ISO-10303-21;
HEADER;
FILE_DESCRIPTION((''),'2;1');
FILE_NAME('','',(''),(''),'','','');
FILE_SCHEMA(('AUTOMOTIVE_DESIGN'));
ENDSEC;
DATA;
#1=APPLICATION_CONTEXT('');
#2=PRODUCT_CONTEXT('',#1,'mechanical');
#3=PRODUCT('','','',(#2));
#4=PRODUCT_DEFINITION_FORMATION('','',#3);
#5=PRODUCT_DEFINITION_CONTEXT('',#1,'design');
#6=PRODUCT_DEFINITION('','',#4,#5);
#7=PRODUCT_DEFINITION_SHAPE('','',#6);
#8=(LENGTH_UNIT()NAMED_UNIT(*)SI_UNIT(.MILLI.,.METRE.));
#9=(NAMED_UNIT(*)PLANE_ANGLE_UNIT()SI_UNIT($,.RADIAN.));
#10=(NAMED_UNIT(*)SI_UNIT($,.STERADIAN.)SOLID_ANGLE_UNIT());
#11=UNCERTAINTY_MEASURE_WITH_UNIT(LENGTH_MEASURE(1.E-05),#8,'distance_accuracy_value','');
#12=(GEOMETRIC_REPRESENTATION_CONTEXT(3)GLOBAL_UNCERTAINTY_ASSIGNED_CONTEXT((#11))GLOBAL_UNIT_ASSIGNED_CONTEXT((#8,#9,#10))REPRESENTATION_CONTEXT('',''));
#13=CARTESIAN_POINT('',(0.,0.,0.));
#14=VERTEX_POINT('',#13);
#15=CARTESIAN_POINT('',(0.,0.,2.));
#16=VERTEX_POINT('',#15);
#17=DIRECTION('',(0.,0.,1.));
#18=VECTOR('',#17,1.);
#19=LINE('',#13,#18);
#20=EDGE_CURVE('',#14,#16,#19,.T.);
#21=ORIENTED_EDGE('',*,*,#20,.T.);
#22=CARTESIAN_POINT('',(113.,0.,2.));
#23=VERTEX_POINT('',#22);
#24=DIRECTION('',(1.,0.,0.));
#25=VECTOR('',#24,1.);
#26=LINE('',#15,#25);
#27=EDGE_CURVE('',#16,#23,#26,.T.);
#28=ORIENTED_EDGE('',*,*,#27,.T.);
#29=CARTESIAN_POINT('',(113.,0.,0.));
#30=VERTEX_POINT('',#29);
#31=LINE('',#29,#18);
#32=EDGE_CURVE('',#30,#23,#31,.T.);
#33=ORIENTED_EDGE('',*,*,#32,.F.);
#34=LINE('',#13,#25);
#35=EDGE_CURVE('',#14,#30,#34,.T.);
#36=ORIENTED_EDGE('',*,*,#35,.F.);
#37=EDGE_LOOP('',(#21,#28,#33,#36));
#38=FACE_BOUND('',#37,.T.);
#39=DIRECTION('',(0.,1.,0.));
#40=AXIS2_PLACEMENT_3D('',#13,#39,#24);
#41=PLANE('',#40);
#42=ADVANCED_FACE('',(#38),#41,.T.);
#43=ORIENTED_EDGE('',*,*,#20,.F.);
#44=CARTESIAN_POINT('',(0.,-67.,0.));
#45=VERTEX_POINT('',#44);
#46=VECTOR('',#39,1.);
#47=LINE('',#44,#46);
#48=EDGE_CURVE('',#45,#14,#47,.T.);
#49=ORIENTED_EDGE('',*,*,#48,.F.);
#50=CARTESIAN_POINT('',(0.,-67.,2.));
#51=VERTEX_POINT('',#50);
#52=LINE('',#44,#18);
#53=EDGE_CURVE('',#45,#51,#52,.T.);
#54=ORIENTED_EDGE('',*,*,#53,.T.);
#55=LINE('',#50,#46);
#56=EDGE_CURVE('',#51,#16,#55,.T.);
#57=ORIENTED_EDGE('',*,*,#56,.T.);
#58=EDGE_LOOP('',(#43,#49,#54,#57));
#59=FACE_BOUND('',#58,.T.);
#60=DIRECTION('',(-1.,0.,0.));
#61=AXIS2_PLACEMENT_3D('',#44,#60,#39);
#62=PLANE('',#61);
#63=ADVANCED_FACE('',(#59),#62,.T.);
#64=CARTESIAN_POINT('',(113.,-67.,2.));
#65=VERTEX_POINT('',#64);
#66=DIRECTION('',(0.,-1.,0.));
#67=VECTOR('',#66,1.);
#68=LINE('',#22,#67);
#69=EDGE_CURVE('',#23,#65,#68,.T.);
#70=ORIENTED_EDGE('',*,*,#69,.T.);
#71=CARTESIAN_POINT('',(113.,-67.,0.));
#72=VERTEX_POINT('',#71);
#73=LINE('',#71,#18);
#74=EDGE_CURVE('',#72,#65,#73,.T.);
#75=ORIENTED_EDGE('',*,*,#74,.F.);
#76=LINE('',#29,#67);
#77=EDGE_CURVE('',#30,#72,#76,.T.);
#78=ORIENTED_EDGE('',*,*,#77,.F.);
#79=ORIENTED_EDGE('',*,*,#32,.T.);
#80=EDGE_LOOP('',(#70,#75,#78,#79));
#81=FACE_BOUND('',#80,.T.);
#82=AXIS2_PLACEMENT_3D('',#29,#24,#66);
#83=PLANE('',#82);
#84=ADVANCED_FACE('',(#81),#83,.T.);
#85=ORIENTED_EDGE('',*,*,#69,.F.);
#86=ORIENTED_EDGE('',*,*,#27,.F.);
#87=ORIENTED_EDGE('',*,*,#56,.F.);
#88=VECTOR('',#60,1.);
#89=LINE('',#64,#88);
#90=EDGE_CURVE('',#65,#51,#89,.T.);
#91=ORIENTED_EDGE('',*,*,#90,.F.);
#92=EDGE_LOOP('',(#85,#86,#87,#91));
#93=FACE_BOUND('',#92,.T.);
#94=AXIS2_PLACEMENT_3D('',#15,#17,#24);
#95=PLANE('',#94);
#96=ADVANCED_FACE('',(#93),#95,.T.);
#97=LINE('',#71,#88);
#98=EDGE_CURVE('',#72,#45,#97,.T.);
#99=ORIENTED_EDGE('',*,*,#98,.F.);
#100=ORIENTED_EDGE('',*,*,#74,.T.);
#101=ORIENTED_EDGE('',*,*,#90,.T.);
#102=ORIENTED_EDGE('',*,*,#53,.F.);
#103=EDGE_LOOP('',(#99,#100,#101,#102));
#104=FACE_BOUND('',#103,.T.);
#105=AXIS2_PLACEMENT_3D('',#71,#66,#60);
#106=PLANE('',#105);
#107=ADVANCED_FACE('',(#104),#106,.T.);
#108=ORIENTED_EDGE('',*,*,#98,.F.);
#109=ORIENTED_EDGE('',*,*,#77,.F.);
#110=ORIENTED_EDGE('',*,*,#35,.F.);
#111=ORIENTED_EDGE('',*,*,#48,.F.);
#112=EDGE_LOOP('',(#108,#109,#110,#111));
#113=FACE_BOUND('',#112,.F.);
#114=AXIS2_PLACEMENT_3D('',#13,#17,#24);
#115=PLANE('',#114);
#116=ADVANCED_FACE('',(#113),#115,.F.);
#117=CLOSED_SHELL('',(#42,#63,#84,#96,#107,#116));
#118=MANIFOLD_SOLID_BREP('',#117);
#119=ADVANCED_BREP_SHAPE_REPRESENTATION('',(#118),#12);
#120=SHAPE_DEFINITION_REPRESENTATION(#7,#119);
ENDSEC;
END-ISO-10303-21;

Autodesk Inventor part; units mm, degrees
ref_plane "YZ Plane" through (0, 0, 0) normal (1, 0, 0) x (0, 1, 0)
ref_plane "XZ Plane" through (0, 0, 0) normal (0, 1, 0) x (-1, 0, 0)
ref_plane "XY Plane" through (0, 0, 0) normal (0, 0, 1) x (1, 0, 0)
sketch "Boceto1" plane through (0, 0, 0) normal (0, 0, 1) x (1, 0, 0)
  line L0 (0, 0) -> (113, 0)
  line L1 (113, 0) -> (113, -67)
  line L2 (113, -67) -> (0, -67)
  line L3 (0, -67) -> (0, 0)
  dimension "d0" = 113
  dimension "d1" = 67
extrude "Extrusión1" add sketch "Boceto1" along normal blind 2
sketch "Boceto2" plane through (0, 0, 2) normal (0, 0, 1) x (1, 0, 0)
  line L0 (113, 0) -> (0, 0) projected
  line L1 (-12.8028, 6.364) -> (124.3271, 6.364) construction
  line L2 (124.3271, 6.364) -> (124.3271, -75.9421) construction
  line L3 (124.3271, -75.9421) -> (-12.8028, -75.9421) construction
  line L4 (-12.8028, -75.9421) -> (-12.8028, 6.364) construction
sketch "Boceto3" plane through (113, -67, 0) normal (1, 0, 0) x (0, 0, -1)
  point P0 (0, 67)
decal "Calcomanía2"
properties part number "pantalla"
